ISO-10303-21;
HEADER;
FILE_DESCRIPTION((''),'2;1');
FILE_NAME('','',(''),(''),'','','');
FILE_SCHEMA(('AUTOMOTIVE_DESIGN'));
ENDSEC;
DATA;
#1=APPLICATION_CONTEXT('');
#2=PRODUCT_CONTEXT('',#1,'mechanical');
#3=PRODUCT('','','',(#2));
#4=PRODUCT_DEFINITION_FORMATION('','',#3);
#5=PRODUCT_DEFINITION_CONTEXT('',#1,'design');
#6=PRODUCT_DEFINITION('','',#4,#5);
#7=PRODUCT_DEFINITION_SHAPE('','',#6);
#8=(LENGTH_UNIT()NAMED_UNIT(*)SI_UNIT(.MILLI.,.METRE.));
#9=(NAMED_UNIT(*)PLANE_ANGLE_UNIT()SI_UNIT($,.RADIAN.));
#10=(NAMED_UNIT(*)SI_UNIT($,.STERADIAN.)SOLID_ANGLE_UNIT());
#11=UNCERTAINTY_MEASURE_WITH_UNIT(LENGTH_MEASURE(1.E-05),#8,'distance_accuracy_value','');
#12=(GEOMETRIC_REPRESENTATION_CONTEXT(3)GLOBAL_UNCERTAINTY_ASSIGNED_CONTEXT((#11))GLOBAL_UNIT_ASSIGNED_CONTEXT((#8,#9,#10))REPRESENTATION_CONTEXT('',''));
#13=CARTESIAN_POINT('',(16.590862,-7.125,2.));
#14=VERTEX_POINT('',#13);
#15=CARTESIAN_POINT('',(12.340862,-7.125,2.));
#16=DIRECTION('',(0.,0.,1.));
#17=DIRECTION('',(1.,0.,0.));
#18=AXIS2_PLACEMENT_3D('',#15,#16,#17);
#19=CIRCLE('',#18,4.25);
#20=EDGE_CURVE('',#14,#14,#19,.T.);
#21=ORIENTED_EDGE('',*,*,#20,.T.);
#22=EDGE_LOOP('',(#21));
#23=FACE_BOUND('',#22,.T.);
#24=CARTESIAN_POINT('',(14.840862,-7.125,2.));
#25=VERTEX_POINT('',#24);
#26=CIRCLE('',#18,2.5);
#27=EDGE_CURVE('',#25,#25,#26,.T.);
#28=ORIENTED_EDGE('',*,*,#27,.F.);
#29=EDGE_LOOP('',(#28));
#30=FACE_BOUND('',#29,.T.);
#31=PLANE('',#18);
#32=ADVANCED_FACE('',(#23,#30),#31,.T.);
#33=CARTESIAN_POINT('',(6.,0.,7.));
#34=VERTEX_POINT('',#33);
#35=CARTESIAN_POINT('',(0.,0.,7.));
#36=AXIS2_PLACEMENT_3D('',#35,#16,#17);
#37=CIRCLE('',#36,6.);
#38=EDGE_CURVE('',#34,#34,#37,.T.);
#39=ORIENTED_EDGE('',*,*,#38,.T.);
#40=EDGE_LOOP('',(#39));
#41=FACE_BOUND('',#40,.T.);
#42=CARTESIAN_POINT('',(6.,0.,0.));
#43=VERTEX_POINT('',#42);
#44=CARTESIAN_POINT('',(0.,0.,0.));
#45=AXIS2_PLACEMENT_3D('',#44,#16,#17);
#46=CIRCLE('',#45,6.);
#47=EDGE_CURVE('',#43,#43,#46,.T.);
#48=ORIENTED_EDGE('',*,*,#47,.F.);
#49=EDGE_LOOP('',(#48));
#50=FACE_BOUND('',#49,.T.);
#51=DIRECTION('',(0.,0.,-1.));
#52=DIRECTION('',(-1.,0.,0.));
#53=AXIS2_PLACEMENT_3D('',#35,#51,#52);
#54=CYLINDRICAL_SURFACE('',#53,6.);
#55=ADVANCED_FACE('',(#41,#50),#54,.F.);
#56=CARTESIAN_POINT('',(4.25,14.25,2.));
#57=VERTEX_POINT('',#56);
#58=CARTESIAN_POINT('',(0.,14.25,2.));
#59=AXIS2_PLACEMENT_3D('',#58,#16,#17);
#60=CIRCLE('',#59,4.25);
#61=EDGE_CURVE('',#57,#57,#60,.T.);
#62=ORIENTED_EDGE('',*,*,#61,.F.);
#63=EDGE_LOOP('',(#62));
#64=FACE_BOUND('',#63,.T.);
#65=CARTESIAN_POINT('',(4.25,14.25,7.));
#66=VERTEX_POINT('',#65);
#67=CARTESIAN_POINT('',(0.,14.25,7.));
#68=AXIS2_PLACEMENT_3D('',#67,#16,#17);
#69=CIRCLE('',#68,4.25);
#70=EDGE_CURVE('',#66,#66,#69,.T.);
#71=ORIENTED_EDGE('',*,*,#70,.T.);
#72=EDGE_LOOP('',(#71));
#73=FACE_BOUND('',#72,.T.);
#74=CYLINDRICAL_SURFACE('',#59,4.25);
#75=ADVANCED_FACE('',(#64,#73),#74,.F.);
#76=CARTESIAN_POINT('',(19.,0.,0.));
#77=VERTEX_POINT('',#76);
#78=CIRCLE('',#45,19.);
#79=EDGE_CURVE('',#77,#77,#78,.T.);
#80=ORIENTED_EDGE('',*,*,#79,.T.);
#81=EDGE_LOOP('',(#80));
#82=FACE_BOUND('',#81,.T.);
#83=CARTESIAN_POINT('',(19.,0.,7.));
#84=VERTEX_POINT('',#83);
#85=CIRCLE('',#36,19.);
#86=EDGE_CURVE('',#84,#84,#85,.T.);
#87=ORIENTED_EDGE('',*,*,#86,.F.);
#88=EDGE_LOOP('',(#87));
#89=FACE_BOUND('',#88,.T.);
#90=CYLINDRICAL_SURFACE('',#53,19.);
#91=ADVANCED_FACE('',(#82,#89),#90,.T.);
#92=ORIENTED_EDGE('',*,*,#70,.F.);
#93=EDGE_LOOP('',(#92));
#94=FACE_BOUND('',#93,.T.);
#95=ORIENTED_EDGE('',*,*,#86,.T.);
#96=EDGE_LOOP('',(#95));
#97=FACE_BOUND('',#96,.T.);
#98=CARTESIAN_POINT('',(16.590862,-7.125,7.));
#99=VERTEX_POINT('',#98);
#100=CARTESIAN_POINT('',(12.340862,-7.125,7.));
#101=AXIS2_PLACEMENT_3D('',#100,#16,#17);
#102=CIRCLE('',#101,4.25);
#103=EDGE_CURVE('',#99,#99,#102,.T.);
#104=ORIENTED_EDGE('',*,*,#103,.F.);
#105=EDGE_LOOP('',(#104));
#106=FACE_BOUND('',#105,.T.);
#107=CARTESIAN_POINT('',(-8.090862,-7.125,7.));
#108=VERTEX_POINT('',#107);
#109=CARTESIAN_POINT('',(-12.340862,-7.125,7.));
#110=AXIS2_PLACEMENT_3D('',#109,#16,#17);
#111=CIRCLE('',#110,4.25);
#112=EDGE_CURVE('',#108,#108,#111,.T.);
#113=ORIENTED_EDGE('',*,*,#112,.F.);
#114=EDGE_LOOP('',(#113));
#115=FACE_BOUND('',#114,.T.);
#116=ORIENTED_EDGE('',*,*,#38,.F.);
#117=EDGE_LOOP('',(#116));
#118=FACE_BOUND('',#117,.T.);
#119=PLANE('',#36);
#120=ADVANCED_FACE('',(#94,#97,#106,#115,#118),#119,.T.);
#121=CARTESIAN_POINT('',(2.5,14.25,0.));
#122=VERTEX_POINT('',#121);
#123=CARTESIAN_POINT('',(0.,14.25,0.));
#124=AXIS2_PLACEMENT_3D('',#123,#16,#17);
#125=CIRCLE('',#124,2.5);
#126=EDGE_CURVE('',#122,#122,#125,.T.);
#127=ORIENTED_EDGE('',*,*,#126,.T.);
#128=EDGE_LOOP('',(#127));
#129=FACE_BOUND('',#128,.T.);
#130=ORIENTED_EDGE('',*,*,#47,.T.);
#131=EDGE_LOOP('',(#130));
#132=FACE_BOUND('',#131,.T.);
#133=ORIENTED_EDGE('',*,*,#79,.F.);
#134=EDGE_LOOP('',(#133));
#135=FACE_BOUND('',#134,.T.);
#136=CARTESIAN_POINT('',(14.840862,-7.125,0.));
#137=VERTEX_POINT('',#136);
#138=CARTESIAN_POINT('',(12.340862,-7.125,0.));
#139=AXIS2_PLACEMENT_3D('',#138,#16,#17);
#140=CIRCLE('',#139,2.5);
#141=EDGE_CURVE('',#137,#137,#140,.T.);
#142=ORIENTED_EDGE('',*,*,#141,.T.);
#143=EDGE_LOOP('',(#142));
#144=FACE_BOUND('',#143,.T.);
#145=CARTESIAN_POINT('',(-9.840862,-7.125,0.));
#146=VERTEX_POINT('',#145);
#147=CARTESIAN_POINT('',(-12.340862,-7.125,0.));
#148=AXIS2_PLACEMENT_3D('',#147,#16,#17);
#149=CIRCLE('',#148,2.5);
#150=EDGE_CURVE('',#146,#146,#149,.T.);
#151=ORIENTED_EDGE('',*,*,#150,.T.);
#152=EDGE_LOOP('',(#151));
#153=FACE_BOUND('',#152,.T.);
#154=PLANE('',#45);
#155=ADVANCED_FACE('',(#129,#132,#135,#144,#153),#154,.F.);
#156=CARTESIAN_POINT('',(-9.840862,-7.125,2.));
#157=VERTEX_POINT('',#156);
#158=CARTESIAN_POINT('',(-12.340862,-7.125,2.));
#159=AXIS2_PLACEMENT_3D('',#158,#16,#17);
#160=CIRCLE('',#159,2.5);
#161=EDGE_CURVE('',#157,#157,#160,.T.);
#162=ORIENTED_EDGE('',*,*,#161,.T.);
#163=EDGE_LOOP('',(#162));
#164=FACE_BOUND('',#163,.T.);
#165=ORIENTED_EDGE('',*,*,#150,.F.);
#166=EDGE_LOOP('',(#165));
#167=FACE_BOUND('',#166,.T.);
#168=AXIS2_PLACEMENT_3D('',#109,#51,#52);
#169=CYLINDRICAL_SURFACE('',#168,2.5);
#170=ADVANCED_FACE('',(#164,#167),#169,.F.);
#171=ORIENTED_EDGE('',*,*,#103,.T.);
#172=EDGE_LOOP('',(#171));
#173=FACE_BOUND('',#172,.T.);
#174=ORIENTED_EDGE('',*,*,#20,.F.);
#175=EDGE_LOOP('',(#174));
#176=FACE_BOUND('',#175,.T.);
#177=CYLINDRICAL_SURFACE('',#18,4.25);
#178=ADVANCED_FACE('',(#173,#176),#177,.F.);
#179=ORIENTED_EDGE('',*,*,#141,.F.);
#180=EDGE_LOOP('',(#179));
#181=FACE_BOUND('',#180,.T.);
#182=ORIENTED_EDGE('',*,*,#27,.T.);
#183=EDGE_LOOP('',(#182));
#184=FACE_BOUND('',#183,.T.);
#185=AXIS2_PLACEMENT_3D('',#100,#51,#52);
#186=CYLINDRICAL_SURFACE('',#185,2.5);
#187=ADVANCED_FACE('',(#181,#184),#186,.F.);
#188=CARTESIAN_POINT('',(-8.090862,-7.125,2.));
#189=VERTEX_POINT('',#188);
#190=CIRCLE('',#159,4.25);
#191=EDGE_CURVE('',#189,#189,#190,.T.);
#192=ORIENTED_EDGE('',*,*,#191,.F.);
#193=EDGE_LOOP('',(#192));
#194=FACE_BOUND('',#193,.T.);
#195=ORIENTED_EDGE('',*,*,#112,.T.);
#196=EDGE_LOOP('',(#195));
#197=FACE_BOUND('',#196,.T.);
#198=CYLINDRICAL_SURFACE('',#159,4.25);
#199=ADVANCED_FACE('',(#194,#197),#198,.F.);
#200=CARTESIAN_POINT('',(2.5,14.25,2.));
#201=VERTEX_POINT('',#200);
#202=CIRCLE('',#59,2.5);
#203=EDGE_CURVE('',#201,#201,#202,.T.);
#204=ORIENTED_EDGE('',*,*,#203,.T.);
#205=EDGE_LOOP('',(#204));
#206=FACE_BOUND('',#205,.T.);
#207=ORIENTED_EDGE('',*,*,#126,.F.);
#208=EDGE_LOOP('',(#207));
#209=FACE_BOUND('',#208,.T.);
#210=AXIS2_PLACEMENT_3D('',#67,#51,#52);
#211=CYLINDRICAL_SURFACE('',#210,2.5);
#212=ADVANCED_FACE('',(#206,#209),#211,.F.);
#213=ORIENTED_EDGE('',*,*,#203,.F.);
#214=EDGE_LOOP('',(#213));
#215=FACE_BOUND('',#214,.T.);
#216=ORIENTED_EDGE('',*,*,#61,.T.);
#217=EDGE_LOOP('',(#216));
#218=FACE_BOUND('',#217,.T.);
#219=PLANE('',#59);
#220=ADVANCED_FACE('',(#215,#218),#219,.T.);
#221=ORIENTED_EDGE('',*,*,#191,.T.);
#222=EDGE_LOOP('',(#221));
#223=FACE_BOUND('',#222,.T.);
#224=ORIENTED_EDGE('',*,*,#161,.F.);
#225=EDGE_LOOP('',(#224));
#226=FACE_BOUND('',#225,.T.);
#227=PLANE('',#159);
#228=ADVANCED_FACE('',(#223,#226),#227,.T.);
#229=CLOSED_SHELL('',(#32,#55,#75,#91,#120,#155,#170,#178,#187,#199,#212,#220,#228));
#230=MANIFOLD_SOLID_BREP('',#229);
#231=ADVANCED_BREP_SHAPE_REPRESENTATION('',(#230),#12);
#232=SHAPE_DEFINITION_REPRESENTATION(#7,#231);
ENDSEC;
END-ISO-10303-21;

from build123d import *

# Parameters (mm, degrees)
ESQUISSE1_R      = 19
ESQUISSE1_R_2    = 6
ESQUISSE1_R_3    = 2.5
EXTRUSION1_DEPTH = 7
ESQUISSE2_R      = 4.25
EXTRUSION2_DEPTH = 5


with BuildPart() as part:
    # Esquisse1 → Extrusion1 (new body)
    with BuildSketch(Plane.XY):
        Circle(ESQUISSE1_R)
        Circle(ESQUISSE1_R_2, mode=Mode.SUBTRACT)
        with Locations((12.340862004, -7.125)):
            Circle(ESQUISSE1_R_3, mode=Mode.SUBTRACT)
        with Locations((0, 14.25)):
            Circle(ESQUISSE1_R_3, mode=Mode.SUBTRACT)
        with Locations((-12.340862004, -7.125)):
            Circle(ESQUISSE1_R_3, mode=Mode.SUBTRACT)
    extrude(amount=EXTRUSION1_DEPTH)

    # Esquisse2 → Extrusion2 (cut)
    with BuildSketch(Plane.XY.offset(7)):
        with Locations((0, 14.25)):
            Circle(ESQUISSE2_R)
        with Locations((-12.340862004, -7.125)):
            Circle(ESQUISSE2_R)
        with Locations((12.340862004, -7.125)):
            Circle(ESQUISSE2_R)
    extrude(amount=-EXTRUSION2_DEPTH, mode=Mode.SUBTRACT)


solid = part.part
